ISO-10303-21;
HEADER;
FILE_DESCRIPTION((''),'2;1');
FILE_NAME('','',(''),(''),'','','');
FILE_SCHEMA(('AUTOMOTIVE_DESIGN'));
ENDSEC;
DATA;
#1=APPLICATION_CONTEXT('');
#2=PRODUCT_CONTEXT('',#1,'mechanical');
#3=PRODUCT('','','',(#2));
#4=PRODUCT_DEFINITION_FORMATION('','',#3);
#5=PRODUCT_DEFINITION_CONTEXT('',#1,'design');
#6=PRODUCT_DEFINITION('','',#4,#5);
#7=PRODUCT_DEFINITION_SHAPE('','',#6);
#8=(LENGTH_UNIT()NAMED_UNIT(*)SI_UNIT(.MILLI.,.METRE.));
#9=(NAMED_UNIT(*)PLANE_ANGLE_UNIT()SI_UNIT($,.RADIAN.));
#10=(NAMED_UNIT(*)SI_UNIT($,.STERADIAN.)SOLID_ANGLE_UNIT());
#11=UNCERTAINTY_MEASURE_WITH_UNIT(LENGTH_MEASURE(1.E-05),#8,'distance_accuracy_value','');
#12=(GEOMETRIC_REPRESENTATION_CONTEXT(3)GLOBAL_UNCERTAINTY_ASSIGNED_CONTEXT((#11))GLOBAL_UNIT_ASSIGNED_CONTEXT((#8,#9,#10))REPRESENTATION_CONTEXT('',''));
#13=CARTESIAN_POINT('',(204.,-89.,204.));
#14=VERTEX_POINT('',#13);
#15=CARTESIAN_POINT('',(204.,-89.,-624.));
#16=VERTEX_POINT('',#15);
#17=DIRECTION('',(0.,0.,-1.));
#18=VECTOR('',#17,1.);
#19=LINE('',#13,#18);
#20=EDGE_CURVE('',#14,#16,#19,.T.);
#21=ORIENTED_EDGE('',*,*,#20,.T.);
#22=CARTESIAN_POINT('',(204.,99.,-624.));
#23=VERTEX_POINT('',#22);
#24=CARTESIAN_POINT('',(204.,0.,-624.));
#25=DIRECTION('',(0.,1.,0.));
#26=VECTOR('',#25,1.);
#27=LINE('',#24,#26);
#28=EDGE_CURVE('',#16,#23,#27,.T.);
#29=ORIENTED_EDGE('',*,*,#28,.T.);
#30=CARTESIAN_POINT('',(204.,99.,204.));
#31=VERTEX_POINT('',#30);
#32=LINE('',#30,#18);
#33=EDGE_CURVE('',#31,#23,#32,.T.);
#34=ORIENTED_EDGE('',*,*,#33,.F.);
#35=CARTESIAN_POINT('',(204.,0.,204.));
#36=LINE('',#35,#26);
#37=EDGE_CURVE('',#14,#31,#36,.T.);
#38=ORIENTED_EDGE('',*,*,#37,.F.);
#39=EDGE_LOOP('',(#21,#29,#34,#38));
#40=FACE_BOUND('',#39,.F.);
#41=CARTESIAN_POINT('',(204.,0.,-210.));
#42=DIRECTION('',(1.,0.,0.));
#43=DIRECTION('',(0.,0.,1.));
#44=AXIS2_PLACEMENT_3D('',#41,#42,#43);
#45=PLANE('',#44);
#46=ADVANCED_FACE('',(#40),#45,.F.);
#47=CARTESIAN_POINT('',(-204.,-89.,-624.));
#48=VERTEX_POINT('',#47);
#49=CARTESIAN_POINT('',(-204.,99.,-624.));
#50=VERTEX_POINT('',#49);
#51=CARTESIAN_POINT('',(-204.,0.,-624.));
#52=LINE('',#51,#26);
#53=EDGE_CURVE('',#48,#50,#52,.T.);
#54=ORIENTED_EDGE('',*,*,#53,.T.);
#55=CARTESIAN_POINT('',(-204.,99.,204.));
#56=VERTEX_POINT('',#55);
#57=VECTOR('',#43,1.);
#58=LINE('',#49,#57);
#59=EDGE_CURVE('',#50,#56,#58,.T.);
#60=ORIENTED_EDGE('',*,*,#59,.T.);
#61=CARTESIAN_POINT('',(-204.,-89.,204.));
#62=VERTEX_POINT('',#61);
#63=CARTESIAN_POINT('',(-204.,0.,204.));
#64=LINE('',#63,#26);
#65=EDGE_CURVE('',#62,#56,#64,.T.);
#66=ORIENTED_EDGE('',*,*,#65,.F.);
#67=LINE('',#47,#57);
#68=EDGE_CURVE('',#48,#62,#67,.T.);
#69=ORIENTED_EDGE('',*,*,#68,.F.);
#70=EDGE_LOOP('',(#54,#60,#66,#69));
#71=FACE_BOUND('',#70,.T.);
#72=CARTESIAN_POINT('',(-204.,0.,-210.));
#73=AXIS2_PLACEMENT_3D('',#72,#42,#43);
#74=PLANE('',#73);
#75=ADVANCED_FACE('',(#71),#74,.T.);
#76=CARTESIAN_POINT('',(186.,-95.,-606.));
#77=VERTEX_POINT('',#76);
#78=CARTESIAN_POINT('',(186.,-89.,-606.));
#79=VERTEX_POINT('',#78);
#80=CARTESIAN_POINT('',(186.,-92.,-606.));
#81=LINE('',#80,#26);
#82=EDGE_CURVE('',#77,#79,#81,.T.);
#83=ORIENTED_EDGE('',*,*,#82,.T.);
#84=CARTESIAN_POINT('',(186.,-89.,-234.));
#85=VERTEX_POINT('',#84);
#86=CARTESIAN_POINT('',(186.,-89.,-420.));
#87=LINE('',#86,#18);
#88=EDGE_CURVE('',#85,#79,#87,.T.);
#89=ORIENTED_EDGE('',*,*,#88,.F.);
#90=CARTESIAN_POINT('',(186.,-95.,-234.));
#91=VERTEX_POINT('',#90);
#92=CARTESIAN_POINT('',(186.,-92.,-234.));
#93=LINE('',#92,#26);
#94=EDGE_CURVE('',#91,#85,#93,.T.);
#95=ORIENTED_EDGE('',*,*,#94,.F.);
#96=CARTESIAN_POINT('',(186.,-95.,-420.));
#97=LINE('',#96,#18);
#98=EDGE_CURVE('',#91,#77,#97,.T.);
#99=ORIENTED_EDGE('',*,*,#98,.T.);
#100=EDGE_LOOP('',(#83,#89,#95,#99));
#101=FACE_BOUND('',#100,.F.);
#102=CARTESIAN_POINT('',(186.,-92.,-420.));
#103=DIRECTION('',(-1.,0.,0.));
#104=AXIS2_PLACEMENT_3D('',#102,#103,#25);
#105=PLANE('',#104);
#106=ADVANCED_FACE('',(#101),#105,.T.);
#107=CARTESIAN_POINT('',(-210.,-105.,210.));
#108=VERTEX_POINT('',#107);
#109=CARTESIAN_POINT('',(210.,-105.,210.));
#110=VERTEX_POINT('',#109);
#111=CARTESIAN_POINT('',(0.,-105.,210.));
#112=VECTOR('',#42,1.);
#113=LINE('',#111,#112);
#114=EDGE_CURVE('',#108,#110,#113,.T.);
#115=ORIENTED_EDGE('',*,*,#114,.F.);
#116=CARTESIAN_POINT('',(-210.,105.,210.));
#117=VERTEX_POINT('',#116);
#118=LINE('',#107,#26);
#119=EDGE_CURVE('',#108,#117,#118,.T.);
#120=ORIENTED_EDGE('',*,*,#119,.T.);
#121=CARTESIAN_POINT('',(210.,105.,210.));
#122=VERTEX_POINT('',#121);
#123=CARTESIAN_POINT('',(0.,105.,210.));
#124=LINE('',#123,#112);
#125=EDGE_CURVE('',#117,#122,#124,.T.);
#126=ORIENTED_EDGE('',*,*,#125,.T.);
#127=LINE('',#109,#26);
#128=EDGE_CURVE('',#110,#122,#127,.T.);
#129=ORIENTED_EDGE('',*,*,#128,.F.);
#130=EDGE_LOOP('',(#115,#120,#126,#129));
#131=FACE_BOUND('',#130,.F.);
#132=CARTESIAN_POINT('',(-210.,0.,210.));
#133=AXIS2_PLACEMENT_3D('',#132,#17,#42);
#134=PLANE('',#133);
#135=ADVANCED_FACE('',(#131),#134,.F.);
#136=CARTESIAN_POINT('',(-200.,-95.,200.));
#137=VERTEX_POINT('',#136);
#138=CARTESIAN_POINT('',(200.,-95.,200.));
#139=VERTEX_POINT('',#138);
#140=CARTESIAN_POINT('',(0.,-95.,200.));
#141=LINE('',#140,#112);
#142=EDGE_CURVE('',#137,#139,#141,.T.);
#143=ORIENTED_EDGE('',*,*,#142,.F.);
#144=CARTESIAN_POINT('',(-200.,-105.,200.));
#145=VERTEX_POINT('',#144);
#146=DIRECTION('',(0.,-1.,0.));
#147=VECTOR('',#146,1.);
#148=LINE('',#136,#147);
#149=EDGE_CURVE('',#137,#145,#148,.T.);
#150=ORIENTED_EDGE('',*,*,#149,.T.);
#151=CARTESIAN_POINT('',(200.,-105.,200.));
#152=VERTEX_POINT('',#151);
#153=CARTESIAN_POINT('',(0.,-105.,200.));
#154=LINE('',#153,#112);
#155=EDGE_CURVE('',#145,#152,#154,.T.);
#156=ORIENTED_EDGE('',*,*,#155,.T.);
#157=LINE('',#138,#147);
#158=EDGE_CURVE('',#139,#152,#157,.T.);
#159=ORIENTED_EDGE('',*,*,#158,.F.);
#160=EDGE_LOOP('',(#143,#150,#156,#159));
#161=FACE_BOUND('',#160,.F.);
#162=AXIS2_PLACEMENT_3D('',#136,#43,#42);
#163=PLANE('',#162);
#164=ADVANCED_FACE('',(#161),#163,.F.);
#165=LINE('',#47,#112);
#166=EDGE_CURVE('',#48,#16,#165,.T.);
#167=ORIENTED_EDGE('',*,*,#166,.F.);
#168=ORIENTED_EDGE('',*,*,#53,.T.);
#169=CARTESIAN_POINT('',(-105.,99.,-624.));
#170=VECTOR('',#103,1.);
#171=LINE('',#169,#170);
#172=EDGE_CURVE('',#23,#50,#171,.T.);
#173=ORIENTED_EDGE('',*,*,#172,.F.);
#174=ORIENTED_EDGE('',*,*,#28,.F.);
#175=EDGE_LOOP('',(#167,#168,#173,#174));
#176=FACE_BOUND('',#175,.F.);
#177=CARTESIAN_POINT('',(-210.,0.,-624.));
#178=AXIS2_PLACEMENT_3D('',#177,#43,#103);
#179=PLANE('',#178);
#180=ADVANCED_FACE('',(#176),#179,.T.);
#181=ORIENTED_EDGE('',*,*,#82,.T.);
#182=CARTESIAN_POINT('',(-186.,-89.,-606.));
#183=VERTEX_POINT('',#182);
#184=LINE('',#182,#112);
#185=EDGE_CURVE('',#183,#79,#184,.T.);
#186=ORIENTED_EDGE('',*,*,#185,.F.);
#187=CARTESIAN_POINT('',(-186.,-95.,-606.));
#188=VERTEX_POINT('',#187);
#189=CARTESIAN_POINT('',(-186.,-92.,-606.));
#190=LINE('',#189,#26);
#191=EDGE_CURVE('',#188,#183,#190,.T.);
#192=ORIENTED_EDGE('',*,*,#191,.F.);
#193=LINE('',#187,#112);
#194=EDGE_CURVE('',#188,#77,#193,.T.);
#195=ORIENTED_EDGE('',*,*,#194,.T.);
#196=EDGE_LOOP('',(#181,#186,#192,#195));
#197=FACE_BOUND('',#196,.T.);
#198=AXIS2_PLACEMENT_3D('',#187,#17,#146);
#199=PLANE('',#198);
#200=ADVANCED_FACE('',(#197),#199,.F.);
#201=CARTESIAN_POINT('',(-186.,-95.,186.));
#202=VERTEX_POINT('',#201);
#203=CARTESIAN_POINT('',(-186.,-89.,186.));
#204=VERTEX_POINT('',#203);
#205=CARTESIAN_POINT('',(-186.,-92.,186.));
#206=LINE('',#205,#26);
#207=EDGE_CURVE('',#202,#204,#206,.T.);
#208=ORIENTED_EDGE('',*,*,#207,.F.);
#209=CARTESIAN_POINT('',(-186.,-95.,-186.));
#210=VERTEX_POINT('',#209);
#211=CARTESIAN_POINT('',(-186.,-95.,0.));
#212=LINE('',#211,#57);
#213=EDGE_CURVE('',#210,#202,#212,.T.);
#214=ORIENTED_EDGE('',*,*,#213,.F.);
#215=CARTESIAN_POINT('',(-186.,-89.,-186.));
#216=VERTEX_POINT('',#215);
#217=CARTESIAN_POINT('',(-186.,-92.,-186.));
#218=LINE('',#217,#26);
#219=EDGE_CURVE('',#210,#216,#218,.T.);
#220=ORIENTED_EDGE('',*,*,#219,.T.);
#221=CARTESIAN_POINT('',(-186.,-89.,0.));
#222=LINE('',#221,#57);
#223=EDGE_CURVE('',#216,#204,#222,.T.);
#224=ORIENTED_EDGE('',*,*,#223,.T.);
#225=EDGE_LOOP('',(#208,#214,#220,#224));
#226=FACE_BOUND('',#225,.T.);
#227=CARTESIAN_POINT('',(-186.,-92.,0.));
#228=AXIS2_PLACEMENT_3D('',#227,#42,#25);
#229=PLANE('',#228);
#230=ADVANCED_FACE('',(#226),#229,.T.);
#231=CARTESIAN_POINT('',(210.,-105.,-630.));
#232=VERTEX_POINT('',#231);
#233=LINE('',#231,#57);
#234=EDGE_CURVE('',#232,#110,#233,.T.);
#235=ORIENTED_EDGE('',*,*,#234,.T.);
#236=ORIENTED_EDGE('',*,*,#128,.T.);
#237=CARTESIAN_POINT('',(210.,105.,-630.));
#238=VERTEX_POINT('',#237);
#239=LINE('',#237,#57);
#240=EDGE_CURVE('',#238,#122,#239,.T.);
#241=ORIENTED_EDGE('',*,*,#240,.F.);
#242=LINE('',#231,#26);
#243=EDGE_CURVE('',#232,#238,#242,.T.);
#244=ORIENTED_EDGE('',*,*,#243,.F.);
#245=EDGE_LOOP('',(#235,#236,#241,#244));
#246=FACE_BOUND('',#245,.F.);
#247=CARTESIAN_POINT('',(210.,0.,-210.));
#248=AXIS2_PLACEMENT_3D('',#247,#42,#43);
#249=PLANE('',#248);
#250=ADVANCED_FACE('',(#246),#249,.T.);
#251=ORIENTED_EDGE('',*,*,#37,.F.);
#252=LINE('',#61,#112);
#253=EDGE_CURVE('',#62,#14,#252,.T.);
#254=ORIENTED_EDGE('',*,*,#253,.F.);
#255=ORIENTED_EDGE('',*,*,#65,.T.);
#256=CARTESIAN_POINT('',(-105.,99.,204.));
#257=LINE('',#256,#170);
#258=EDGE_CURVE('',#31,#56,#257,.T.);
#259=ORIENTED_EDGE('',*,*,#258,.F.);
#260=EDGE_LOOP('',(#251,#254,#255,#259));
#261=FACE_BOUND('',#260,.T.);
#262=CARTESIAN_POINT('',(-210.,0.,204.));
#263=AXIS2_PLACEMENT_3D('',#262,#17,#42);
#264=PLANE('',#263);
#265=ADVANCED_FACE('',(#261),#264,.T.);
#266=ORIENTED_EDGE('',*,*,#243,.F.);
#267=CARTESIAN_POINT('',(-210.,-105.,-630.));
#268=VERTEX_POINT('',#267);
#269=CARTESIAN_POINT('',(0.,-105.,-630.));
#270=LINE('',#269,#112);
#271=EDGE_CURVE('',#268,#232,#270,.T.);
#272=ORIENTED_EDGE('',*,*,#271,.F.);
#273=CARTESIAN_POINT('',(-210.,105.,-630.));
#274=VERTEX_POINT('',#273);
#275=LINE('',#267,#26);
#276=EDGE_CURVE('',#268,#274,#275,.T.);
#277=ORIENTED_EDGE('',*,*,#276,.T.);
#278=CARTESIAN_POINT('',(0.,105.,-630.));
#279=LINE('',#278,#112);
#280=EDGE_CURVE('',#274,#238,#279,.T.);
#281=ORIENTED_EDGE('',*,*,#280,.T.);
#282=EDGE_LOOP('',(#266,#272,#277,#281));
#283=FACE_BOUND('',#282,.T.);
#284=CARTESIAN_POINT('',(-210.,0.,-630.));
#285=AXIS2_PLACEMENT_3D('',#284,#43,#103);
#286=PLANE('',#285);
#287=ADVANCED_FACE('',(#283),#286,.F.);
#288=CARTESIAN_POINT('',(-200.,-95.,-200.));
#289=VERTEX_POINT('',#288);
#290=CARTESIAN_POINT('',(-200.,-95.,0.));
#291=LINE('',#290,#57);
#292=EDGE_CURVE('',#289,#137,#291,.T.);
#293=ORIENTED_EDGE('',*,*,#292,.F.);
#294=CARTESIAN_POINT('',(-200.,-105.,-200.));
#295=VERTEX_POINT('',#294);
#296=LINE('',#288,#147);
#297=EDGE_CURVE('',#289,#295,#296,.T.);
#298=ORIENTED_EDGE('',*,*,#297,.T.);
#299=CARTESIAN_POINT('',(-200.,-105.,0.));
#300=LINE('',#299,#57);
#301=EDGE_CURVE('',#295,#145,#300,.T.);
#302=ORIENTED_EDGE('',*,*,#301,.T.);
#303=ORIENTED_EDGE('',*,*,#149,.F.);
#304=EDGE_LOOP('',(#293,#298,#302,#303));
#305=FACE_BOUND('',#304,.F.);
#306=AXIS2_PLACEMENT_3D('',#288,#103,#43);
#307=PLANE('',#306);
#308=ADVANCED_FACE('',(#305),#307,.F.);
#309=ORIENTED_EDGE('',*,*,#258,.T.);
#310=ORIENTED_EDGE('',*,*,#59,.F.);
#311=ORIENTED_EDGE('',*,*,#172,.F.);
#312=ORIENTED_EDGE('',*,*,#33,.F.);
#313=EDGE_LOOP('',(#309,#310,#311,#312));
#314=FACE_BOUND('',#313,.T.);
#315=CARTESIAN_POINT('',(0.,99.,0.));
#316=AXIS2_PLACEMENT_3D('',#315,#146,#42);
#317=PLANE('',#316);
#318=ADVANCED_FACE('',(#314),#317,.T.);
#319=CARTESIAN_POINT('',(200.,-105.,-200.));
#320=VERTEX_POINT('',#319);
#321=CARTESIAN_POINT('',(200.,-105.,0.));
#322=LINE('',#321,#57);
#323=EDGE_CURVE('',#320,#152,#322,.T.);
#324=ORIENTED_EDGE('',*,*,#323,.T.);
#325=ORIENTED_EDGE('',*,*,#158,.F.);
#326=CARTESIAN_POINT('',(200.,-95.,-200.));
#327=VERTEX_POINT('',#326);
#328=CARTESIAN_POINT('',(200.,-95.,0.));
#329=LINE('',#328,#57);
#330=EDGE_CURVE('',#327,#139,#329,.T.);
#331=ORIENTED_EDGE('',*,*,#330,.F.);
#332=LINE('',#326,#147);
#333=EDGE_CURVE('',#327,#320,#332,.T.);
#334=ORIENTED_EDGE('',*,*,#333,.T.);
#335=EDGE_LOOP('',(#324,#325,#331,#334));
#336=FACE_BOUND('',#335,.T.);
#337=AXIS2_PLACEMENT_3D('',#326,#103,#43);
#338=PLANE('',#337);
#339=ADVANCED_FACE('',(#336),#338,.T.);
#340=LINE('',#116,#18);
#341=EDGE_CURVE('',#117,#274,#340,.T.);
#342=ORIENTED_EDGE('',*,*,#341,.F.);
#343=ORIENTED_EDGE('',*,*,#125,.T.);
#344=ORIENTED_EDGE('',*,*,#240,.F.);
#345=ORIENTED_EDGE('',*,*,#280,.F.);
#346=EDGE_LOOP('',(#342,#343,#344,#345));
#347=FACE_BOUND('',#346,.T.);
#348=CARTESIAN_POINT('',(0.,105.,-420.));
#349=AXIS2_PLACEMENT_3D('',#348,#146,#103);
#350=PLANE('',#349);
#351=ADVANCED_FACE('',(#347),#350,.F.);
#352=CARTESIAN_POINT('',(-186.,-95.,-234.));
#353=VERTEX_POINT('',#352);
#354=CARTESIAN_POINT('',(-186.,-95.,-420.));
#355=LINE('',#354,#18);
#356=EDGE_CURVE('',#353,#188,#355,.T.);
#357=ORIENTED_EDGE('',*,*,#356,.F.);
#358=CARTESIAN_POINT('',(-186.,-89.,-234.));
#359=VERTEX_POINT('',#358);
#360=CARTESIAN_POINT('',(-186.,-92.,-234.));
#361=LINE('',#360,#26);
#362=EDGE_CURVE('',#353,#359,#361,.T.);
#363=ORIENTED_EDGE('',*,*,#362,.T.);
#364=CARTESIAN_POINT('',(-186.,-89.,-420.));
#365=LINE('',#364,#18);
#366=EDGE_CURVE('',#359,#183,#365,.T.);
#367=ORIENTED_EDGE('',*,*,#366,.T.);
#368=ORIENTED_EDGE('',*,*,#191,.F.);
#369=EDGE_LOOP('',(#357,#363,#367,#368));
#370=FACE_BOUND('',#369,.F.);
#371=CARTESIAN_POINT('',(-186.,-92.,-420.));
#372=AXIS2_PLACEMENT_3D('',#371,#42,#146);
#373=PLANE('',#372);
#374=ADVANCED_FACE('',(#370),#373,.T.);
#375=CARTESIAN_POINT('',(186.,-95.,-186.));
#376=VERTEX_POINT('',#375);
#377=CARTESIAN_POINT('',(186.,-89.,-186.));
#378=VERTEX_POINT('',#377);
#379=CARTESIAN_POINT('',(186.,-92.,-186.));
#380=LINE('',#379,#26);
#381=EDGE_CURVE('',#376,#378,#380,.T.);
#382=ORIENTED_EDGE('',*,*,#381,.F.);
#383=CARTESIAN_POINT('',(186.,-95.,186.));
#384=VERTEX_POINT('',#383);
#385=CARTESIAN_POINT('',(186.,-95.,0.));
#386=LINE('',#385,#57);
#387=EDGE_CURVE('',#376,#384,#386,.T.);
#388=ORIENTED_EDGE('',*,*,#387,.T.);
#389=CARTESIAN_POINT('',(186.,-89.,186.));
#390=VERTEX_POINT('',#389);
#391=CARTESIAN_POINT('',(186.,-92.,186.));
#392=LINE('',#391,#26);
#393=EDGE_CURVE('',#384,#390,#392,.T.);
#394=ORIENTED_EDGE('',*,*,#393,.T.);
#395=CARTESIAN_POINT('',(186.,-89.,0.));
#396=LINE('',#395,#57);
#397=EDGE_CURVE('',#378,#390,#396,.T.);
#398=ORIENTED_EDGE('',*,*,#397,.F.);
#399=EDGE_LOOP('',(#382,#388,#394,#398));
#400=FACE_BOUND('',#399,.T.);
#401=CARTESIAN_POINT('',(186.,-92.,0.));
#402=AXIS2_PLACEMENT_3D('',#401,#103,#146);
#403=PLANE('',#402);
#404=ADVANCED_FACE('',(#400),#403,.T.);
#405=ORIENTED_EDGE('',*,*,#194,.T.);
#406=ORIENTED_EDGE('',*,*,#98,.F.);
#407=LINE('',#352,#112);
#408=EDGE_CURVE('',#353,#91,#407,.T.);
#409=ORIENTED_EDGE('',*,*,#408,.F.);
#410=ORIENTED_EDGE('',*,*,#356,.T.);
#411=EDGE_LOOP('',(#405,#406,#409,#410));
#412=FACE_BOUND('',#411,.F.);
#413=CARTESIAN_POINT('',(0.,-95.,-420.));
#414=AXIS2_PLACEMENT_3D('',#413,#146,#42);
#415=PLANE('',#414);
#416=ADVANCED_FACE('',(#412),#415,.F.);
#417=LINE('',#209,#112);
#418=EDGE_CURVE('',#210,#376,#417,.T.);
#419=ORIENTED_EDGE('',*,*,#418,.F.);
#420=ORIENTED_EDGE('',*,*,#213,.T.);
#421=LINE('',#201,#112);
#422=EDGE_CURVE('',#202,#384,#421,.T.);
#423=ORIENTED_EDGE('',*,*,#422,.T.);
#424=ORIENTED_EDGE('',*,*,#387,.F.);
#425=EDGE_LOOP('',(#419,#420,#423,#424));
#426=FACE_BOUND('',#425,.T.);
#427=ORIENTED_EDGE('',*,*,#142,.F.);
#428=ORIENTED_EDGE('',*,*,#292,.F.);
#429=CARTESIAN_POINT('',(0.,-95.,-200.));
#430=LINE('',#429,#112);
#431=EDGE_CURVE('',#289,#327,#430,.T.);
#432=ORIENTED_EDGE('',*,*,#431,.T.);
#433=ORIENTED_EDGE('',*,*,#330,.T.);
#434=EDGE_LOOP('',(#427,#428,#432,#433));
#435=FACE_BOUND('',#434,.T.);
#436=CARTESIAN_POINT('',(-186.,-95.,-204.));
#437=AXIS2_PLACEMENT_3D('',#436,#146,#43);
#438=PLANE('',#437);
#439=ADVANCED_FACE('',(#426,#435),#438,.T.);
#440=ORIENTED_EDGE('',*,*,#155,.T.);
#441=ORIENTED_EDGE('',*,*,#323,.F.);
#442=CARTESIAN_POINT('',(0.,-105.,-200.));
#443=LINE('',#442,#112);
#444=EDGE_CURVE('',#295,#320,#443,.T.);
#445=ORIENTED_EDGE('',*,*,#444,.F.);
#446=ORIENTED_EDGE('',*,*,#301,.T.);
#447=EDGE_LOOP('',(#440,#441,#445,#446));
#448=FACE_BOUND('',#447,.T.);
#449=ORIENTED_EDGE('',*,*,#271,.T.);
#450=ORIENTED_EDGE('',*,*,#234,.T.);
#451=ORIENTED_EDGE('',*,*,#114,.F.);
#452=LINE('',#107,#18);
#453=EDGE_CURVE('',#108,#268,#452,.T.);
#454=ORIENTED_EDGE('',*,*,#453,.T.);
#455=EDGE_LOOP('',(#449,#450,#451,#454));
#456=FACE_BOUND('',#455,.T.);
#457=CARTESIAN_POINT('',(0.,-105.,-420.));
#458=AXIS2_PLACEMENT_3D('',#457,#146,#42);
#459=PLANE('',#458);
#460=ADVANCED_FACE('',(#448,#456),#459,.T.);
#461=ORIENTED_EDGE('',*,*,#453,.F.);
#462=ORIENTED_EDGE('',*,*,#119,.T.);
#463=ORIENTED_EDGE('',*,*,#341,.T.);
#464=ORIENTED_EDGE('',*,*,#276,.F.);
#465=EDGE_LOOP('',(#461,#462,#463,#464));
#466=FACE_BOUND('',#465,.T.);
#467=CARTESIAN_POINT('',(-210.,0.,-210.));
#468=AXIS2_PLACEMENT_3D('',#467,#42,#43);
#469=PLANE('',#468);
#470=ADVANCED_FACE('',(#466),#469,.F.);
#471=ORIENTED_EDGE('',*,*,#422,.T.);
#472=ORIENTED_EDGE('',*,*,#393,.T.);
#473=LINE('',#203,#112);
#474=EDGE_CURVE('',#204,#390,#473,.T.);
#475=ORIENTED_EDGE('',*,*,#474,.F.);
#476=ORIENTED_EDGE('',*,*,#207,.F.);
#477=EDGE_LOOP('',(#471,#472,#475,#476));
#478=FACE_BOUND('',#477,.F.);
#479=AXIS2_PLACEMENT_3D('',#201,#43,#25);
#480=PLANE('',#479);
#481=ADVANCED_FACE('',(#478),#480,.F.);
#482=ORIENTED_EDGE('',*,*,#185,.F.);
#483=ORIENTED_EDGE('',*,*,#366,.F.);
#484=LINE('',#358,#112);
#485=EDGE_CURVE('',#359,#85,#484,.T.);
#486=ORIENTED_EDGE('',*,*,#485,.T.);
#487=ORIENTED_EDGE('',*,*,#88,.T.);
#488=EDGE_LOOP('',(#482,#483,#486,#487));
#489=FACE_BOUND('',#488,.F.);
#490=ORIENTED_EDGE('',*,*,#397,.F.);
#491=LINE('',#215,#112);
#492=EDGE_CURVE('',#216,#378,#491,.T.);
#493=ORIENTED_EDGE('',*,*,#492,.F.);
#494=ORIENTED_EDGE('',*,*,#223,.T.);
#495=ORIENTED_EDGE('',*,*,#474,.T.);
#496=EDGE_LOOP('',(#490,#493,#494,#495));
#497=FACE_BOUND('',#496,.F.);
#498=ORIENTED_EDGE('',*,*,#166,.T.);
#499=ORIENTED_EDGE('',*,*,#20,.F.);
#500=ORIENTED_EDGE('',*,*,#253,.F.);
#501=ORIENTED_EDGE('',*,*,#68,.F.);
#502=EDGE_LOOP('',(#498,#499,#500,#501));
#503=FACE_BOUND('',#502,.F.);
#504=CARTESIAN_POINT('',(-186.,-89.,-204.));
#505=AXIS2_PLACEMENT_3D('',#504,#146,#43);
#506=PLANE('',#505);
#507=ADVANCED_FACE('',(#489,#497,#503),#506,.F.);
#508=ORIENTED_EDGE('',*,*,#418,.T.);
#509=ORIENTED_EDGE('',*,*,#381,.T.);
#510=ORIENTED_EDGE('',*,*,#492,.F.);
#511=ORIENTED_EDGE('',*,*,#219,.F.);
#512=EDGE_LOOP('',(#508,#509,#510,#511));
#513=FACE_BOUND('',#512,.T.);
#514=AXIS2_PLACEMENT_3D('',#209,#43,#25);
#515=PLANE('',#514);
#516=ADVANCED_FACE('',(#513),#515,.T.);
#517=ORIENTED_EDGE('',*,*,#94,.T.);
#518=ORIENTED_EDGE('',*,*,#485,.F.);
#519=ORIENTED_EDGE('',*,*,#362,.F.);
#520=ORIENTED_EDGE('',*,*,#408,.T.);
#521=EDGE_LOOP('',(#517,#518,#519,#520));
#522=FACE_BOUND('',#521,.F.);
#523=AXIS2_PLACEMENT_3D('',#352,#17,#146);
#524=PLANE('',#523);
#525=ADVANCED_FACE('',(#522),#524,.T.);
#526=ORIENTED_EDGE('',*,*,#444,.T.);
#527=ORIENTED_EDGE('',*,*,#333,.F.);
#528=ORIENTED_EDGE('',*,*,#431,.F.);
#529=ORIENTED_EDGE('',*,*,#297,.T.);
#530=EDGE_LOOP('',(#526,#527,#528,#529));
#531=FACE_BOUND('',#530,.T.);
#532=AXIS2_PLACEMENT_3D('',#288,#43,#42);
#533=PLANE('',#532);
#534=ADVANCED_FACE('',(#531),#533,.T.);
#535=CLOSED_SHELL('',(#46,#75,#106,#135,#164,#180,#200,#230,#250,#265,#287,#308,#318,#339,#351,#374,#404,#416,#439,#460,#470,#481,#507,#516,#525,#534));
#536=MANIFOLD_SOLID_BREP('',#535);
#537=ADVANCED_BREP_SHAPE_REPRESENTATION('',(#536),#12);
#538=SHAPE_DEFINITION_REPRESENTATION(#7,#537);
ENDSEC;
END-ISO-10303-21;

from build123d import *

# Parameters (mm, degrees)
F0_W      = 420
F0_H      = 420
F1_DEPTH  = 105
F2_T      = -6
F3_W      = 6
F3_H      = 408
F4_DEPTH  = 18
F5_W      = 6
F5_H      = 408
F6_DEPTH  = 18
F7_W      = 6
F7_H      = 18
F8_DEPTH  = 372
F9_W      = 6
F9_H      = 18
F10_DEPTH = 372
F11_W     = 408
F11_H     = 408
F11_W_2   = 400
F11_H_2   = 400
F12_DEPTH = 10
F14_W     = 400
F14_H     = 400
F15_DEPTH = 10
F16_DEPTH = 25.4


with BuildPart() as f1:
    # F0 (on Front) → F1 (new body, symmetric)
    with BuildSketch(Plane.XZ):
        Rectangle(F0_W, F0_H)
    extrude(amount=F1_DEPTH, both=True)

    # F2
    f2_openings = [f1.faces().sort_by_distance(p)[0] for p in [
        (0, -105, 0),
    ]]
    offset(amount=F2_T, openings=f2_openings)

    # F3 (on face) → F4 (join)
    with BuildSketch(Plane.YZ.offset(-204)):
        with Locations((-92, 0)):
            Rectangle(F3_W, F3_H)
    extrude(amount=F4_DEPTH)

    # F5 (on face) → F6 (join)
    with BuildSketch(Plane(origin=(204, 0, 0), x_dir=(0, -1, 0), z_dir=(-1, 0, 0))):
        with Locations((92, 0)):
            Rectangle(F5_W, F5_H)
    extrude(amount=F6_DEPTH)

    # F7 (on face) → F8 (join, through all)
    with BuildSketch(Plane.YZ.offset(-186)):
        with Locations((-92, 195)):
            Rectangle(F7_W, F7_H)
    extrude(amount=F8_DEPTH)

    # F9 (on face) → F10 (join, through all)
    with BuildSketch(Plane.YZ.offset(-186)):
        with Locations((-92, -195)):
            Rectangle(F9_W, F9_H)
    extrude(amount=F10_DEPTH)

    # F11 (on face) → F12 (join)
    with BuildSketch(Plane.XZ.offset(95)):
        Rectangle(F11_W, F11_H)
        Rectangle(F11_W_2, F11_H_2, mode=Mode.SUBTRACT)
    extrude(amount=F12_DEPTH)

    # F13: F1 across face


with BuildPart() as f1_1:
    add(f1.part)
    add(f1.part.mirror(Plane(origin=(0, 0, -210), x_dir=(1, 0, 0), z_dir=(0, 0, -1))))

    # F14 (on face) → F15 (join)
    with BuildSketch(Plane.XZ.offset(95)):
        with Locations((0, -420)):
            Rectangle(F14_W, F14_H)
    extrude(amount=F15_DEPTH)

    # F16 (cut): a face of the model
    f16_faces = [f1_1.faces().sort_by_distance(p)[0] for p in [
        (0, 5, -204),
    ]]
    extrude(f16_faces, amount=-F16_DEPTH, mode=Mode.SUBTRACT)


solid = f1_1.part
